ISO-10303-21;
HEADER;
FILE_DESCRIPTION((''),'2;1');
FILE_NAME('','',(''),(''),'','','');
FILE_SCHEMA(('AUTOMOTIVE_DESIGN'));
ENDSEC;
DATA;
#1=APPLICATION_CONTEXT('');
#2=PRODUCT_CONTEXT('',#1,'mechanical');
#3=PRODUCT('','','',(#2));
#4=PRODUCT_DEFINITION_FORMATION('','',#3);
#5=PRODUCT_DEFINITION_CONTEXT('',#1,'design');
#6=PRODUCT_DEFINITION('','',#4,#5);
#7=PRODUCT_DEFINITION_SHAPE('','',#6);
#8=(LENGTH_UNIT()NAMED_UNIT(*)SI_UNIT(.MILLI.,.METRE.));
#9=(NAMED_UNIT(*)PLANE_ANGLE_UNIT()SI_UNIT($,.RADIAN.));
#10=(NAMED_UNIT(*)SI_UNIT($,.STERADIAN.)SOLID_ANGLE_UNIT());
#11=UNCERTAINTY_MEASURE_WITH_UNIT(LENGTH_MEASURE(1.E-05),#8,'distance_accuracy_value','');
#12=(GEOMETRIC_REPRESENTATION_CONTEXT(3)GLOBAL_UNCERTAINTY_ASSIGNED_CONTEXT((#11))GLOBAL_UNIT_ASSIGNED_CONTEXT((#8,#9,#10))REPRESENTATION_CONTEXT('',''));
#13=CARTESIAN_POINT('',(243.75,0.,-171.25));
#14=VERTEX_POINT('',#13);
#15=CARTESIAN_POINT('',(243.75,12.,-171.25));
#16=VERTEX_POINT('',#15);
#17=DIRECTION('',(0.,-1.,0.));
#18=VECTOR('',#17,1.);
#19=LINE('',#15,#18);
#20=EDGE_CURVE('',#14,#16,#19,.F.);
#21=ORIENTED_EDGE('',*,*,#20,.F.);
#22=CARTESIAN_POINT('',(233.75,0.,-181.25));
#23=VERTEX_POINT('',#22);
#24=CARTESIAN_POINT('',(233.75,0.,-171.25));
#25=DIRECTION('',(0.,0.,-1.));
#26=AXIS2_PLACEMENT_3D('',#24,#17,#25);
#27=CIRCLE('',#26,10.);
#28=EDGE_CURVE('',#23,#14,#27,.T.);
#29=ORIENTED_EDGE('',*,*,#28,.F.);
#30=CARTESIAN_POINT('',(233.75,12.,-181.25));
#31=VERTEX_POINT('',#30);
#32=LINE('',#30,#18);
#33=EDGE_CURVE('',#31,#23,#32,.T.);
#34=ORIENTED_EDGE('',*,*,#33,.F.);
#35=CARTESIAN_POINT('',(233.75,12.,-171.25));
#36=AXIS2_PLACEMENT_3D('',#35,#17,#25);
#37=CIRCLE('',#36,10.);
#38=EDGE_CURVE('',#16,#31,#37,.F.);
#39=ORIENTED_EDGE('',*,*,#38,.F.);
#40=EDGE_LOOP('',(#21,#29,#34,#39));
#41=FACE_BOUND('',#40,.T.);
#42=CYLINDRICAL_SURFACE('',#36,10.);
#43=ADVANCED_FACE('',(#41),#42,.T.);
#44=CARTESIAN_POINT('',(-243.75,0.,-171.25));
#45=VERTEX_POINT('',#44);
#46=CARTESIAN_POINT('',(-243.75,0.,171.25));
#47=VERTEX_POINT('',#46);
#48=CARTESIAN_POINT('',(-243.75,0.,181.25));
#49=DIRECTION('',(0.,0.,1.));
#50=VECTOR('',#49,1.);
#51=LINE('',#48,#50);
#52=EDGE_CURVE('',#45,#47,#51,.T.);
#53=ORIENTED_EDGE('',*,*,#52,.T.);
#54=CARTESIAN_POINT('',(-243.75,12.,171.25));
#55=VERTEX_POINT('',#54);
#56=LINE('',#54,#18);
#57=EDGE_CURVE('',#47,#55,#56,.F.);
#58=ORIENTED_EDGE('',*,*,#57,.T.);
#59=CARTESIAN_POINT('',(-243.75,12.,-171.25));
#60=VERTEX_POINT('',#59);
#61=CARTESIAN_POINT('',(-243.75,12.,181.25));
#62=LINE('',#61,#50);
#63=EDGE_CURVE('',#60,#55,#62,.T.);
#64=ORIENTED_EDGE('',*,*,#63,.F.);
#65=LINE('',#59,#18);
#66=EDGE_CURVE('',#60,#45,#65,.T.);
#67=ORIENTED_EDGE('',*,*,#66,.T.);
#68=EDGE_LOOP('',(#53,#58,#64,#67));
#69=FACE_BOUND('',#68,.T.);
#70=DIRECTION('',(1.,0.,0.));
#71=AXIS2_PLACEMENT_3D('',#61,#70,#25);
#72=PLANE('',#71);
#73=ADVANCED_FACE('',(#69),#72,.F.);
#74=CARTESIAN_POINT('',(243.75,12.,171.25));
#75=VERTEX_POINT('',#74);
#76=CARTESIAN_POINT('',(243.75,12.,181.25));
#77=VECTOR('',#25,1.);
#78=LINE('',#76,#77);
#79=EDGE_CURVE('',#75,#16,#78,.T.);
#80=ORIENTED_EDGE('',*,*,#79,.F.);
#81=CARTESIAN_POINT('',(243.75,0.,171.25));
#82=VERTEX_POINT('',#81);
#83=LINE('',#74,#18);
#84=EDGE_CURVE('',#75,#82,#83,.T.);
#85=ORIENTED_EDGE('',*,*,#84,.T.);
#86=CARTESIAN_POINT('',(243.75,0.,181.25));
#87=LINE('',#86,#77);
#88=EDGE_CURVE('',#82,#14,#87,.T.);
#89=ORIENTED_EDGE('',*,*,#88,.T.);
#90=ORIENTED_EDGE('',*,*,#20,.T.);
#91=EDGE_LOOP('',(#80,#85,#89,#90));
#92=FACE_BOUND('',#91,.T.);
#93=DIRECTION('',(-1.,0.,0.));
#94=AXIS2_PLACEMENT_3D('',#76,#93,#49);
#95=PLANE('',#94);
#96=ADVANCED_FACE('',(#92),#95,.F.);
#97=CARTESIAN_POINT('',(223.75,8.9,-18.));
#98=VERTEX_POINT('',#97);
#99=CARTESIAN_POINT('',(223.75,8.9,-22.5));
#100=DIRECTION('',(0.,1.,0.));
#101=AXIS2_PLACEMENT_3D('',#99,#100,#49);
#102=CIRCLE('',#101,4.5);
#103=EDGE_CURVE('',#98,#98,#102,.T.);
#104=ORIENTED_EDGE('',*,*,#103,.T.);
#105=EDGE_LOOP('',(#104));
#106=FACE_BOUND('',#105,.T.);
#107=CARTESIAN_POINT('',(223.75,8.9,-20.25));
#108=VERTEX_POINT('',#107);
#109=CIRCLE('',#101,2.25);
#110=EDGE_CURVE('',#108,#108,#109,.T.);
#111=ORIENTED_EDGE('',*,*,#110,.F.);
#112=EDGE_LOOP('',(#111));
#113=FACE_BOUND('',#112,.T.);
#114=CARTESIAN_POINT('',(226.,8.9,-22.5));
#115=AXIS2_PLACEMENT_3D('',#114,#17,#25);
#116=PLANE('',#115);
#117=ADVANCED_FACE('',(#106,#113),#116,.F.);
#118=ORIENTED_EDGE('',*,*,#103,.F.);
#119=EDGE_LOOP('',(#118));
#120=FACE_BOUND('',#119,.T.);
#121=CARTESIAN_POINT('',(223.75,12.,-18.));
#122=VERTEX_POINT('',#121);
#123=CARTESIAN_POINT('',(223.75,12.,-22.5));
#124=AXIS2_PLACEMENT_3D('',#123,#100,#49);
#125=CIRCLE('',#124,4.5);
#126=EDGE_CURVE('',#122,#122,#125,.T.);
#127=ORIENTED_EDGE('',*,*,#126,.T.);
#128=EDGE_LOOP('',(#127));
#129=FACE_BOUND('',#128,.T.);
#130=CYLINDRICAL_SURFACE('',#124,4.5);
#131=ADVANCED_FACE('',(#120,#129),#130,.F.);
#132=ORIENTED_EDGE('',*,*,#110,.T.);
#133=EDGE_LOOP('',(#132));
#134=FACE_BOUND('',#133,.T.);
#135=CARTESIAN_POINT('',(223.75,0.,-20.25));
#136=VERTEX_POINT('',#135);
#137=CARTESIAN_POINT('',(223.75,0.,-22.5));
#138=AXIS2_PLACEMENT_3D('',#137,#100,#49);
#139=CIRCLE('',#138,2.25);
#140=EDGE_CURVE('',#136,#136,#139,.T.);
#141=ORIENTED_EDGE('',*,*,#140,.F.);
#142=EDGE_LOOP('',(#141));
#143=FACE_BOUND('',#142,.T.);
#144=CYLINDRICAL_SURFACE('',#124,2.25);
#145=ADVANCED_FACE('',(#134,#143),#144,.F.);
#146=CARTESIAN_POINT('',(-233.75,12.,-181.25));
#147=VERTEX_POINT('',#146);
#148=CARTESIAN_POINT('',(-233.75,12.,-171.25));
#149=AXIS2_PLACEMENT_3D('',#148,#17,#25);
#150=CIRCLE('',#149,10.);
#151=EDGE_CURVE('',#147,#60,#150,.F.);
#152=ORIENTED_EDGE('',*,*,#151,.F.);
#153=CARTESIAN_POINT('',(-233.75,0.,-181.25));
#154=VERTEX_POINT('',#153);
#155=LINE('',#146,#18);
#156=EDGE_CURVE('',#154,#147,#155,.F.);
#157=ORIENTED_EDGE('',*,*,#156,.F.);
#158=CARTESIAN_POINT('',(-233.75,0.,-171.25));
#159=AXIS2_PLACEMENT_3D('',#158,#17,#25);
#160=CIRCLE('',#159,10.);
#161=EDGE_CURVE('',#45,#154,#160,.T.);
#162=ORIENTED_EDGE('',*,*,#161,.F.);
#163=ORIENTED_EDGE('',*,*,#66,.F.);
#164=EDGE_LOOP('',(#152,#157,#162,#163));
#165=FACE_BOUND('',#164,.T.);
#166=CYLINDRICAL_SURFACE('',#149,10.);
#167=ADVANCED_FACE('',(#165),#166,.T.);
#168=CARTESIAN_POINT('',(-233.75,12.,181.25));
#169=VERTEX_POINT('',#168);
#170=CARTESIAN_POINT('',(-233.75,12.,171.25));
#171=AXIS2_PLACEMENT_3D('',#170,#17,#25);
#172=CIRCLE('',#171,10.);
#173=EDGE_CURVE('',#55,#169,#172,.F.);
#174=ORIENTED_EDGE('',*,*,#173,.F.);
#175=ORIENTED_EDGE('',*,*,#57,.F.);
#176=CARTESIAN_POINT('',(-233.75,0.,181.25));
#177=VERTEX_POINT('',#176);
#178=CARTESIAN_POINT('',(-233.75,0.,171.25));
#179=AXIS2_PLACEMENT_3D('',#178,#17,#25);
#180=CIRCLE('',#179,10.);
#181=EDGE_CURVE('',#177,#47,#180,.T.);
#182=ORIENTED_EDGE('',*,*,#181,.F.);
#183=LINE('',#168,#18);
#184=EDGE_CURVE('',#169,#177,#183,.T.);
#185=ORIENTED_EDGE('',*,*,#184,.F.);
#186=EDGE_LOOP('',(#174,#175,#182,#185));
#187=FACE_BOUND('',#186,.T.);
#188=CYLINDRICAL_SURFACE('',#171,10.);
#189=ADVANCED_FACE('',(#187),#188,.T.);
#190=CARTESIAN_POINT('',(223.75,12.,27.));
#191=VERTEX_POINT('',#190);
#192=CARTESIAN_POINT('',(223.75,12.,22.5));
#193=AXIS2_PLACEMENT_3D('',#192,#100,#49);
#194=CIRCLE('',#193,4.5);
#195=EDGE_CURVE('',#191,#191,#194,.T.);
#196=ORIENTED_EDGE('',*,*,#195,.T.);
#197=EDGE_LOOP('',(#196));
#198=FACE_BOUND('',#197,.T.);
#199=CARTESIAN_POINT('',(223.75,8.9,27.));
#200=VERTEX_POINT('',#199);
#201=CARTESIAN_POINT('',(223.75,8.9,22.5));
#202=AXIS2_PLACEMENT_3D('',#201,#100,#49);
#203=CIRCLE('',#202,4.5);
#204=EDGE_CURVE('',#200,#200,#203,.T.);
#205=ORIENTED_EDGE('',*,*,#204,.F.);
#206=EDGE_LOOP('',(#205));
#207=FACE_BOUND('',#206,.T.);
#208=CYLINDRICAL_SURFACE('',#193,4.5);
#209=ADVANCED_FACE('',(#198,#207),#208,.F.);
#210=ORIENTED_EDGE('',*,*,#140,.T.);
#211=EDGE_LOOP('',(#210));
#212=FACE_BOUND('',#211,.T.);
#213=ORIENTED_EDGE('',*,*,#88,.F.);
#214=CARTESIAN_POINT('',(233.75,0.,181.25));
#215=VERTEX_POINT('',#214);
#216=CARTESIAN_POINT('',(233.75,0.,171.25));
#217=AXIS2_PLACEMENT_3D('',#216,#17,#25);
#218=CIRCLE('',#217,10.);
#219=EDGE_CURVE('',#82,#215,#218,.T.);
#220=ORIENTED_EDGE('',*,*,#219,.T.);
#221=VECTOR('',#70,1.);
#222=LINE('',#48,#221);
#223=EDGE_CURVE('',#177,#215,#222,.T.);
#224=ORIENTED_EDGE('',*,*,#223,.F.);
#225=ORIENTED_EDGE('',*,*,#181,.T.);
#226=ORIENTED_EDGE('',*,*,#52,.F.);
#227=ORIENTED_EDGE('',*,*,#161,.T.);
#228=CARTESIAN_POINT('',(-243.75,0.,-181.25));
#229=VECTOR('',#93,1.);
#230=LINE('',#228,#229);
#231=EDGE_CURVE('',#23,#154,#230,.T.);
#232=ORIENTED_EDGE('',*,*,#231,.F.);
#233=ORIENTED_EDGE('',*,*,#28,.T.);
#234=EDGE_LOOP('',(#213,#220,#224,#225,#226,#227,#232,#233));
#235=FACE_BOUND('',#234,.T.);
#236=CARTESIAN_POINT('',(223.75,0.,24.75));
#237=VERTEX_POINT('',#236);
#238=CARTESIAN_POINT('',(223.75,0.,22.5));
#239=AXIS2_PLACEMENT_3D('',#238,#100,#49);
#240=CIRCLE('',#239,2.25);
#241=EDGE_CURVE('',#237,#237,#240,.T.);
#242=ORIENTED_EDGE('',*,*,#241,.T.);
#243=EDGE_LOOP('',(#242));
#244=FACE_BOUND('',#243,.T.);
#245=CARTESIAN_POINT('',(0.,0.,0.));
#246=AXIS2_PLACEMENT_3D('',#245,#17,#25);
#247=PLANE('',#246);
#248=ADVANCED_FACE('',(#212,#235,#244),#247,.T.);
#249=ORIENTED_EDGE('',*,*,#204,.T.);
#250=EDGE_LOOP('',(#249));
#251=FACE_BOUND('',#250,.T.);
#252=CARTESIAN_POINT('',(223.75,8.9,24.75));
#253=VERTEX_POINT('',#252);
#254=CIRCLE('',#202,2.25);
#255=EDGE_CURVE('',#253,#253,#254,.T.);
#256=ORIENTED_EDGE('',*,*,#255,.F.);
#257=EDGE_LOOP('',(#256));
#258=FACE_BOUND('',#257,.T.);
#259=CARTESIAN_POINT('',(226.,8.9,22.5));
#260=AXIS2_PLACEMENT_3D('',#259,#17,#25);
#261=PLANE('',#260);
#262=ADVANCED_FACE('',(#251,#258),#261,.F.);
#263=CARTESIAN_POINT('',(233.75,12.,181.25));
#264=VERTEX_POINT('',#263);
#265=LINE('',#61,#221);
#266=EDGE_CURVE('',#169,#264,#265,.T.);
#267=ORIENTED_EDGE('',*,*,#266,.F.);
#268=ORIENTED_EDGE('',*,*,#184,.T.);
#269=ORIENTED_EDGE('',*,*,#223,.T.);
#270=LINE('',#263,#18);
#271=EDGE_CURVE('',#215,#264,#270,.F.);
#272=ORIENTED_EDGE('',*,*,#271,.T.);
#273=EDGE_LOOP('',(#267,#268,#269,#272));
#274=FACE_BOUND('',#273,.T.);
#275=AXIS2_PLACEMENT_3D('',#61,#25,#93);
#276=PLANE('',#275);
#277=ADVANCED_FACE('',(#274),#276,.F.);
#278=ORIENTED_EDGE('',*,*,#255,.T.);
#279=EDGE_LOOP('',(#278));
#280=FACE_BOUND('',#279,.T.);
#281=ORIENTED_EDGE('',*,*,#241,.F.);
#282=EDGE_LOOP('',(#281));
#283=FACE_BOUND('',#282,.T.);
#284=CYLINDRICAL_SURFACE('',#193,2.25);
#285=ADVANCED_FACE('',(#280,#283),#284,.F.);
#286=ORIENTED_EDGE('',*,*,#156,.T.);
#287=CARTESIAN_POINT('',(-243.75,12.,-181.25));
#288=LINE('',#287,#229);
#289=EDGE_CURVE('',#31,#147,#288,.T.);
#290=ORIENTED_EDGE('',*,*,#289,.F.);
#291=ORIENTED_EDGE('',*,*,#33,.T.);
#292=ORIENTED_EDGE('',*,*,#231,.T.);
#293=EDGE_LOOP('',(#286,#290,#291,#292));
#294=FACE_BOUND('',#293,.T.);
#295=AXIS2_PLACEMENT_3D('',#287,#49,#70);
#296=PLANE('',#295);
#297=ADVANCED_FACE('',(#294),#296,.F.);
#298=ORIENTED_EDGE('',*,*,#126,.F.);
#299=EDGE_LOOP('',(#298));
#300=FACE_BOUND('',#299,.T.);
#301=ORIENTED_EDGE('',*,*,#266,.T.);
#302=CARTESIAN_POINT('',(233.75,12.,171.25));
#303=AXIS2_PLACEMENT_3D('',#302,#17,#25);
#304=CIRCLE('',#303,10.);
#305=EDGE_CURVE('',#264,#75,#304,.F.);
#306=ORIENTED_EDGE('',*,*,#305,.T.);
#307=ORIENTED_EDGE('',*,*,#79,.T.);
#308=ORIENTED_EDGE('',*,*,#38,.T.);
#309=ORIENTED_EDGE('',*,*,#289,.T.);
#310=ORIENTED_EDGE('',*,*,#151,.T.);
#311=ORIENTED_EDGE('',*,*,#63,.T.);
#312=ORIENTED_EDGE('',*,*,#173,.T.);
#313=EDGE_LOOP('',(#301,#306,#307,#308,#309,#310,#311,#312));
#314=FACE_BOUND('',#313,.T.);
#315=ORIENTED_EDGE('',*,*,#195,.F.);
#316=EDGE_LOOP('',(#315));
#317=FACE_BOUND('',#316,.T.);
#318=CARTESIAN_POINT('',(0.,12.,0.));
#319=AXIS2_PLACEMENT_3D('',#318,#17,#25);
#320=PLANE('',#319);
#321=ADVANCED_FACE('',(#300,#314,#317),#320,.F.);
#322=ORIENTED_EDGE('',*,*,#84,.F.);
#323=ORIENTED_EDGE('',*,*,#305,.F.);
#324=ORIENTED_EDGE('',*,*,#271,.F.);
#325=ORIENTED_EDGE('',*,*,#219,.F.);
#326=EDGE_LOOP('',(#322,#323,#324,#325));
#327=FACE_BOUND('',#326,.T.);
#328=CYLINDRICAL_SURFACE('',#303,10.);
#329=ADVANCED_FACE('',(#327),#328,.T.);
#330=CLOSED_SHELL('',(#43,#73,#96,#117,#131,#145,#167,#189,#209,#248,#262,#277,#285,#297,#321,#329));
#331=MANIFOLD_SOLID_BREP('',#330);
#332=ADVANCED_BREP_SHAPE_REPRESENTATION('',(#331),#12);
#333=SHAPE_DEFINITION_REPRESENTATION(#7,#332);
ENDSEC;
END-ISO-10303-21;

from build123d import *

# Parameters (mm, degrees)
SKETCH1_W                                        = 487.5
SKETCH1_H                                        = 362.5
BOSS_EXTRUDE1_DEPTH                              = 12
FILLET1_R                                        = 10
CBORE_FOR_M4_PAN_HEAD_MACHINE_SCREW1_D           = 4.5
CBORE_FOR_M4_PAN_HEAD_MACHINE_SCREW1_CBORE_D     = 9
CBORE_FOR_M4_PAN_HEAD_MACHINE_SCREW1_CBORE_DEPTH = 3.1


with BuildPart() as part:
    # Sketch1 → Boss-Extrude1 (new body)
    with BuildSketch(Plane(origin=(0, 0, 0), x_dir=(1, 0, 0), z_dir=(0, 1, 0))):
        Rectangle(SKETCH1_W, SKETCH1_H)
    extrude(amount=BOSS_EXTRUDE1_DEPTH)

    # Fillet1
    fillet1_edges = [part.edges().sort_by_distance(p)[0] for p in [
        (243.75, 6, 181.25),
        (-243.75, 6, 181.25),
        (-243.75, 6, -181.25),
        (243.75, 6, -181.25),
    ]]
    fillet(fillet1_edges, radius=FILLET1_R)

    # CBORE for M4 Pan Head Machine Screw1 (through all)
    with Locations(Plane(origin=(0, 12, 0), x_dir=(1, 0, 0), z_dir=(0, 1, 0))):
        with Locations((223.75, -22.5), (223.75, 22.5)):
            CounterBoreHole(CBORE_FOR_M4_PAN_HEAD_MACHINE_SCREW1_D / 2, CBORE_FOR_M4_PAN_HEAD_MACHINE_SCREW1_CBORE_D / 2, CBORE_FOR_M4_PAN_HEAD_MACHINE_SCREW1_CBORE_DEPTH)


solid = part.part
